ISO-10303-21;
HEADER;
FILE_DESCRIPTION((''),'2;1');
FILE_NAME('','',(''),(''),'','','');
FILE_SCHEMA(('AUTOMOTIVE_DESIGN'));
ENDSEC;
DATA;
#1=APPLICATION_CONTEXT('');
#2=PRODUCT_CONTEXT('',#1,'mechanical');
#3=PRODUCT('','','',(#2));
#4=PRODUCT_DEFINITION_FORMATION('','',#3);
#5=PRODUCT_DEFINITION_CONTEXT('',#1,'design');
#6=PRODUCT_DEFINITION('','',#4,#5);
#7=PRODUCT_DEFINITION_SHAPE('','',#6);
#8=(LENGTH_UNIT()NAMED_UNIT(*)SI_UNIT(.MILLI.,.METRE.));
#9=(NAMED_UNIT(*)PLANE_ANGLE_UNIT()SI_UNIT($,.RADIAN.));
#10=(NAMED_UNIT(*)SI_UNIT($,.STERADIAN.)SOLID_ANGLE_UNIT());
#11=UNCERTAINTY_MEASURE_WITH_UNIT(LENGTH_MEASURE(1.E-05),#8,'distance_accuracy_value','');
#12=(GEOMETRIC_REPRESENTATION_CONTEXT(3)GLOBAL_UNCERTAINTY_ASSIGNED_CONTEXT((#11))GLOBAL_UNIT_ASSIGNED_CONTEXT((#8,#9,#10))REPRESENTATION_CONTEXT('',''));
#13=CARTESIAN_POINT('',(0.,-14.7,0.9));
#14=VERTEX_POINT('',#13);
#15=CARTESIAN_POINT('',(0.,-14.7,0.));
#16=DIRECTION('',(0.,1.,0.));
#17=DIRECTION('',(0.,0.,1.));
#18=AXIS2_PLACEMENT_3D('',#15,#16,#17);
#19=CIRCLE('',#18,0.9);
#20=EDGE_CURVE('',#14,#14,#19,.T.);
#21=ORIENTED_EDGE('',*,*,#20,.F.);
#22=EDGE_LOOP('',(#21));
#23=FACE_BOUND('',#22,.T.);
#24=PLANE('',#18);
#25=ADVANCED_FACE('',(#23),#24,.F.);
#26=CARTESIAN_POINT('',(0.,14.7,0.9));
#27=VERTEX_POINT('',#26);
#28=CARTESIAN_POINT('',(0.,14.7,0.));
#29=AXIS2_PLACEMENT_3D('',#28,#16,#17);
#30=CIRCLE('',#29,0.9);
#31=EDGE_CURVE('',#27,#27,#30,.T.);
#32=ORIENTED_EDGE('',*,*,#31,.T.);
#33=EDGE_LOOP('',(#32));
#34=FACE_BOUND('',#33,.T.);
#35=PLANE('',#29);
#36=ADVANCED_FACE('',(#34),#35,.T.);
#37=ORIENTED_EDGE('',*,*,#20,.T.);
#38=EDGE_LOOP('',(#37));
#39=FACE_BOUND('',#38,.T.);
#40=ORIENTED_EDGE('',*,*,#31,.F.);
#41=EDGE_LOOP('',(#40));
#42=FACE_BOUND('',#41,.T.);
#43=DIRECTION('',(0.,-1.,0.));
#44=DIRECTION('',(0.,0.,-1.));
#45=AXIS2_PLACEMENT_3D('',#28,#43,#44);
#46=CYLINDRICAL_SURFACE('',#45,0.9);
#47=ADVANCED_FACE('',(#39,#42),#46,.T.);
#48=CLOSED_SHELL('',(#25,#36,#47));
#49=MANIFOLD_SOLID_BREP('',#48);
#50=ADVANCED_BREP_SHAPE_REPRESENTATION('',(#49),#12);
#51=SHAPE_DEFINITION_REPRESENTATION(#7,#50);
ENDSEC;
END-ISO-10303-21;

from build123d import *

# Parameters (mm, degrees)
SKETCH1_R           = 1.5
BOSS_EXTRUDE1_DEPTH = 24.5
SCALE1_SCALE        = 0.6


with BuildPart() as part:
    # Sketch1 → Boss-Extrude1 (new body, symmetric)
    with BuildSketch(Plane(origin=(0, 0, 0), x_dir=(1, 0, 0), z_dir=(0, 1, 0))):
        Circle(SKETCH1_R)
    extrude(amount=BOSS_EXTRUDE1_DEPTH, both=True)


with BuildPart() as part_1:
    # Scale1: scaled about (0, 0, 0)
    add(part.part.scale(SCALE1_SCALE))


solid = part_1.part
